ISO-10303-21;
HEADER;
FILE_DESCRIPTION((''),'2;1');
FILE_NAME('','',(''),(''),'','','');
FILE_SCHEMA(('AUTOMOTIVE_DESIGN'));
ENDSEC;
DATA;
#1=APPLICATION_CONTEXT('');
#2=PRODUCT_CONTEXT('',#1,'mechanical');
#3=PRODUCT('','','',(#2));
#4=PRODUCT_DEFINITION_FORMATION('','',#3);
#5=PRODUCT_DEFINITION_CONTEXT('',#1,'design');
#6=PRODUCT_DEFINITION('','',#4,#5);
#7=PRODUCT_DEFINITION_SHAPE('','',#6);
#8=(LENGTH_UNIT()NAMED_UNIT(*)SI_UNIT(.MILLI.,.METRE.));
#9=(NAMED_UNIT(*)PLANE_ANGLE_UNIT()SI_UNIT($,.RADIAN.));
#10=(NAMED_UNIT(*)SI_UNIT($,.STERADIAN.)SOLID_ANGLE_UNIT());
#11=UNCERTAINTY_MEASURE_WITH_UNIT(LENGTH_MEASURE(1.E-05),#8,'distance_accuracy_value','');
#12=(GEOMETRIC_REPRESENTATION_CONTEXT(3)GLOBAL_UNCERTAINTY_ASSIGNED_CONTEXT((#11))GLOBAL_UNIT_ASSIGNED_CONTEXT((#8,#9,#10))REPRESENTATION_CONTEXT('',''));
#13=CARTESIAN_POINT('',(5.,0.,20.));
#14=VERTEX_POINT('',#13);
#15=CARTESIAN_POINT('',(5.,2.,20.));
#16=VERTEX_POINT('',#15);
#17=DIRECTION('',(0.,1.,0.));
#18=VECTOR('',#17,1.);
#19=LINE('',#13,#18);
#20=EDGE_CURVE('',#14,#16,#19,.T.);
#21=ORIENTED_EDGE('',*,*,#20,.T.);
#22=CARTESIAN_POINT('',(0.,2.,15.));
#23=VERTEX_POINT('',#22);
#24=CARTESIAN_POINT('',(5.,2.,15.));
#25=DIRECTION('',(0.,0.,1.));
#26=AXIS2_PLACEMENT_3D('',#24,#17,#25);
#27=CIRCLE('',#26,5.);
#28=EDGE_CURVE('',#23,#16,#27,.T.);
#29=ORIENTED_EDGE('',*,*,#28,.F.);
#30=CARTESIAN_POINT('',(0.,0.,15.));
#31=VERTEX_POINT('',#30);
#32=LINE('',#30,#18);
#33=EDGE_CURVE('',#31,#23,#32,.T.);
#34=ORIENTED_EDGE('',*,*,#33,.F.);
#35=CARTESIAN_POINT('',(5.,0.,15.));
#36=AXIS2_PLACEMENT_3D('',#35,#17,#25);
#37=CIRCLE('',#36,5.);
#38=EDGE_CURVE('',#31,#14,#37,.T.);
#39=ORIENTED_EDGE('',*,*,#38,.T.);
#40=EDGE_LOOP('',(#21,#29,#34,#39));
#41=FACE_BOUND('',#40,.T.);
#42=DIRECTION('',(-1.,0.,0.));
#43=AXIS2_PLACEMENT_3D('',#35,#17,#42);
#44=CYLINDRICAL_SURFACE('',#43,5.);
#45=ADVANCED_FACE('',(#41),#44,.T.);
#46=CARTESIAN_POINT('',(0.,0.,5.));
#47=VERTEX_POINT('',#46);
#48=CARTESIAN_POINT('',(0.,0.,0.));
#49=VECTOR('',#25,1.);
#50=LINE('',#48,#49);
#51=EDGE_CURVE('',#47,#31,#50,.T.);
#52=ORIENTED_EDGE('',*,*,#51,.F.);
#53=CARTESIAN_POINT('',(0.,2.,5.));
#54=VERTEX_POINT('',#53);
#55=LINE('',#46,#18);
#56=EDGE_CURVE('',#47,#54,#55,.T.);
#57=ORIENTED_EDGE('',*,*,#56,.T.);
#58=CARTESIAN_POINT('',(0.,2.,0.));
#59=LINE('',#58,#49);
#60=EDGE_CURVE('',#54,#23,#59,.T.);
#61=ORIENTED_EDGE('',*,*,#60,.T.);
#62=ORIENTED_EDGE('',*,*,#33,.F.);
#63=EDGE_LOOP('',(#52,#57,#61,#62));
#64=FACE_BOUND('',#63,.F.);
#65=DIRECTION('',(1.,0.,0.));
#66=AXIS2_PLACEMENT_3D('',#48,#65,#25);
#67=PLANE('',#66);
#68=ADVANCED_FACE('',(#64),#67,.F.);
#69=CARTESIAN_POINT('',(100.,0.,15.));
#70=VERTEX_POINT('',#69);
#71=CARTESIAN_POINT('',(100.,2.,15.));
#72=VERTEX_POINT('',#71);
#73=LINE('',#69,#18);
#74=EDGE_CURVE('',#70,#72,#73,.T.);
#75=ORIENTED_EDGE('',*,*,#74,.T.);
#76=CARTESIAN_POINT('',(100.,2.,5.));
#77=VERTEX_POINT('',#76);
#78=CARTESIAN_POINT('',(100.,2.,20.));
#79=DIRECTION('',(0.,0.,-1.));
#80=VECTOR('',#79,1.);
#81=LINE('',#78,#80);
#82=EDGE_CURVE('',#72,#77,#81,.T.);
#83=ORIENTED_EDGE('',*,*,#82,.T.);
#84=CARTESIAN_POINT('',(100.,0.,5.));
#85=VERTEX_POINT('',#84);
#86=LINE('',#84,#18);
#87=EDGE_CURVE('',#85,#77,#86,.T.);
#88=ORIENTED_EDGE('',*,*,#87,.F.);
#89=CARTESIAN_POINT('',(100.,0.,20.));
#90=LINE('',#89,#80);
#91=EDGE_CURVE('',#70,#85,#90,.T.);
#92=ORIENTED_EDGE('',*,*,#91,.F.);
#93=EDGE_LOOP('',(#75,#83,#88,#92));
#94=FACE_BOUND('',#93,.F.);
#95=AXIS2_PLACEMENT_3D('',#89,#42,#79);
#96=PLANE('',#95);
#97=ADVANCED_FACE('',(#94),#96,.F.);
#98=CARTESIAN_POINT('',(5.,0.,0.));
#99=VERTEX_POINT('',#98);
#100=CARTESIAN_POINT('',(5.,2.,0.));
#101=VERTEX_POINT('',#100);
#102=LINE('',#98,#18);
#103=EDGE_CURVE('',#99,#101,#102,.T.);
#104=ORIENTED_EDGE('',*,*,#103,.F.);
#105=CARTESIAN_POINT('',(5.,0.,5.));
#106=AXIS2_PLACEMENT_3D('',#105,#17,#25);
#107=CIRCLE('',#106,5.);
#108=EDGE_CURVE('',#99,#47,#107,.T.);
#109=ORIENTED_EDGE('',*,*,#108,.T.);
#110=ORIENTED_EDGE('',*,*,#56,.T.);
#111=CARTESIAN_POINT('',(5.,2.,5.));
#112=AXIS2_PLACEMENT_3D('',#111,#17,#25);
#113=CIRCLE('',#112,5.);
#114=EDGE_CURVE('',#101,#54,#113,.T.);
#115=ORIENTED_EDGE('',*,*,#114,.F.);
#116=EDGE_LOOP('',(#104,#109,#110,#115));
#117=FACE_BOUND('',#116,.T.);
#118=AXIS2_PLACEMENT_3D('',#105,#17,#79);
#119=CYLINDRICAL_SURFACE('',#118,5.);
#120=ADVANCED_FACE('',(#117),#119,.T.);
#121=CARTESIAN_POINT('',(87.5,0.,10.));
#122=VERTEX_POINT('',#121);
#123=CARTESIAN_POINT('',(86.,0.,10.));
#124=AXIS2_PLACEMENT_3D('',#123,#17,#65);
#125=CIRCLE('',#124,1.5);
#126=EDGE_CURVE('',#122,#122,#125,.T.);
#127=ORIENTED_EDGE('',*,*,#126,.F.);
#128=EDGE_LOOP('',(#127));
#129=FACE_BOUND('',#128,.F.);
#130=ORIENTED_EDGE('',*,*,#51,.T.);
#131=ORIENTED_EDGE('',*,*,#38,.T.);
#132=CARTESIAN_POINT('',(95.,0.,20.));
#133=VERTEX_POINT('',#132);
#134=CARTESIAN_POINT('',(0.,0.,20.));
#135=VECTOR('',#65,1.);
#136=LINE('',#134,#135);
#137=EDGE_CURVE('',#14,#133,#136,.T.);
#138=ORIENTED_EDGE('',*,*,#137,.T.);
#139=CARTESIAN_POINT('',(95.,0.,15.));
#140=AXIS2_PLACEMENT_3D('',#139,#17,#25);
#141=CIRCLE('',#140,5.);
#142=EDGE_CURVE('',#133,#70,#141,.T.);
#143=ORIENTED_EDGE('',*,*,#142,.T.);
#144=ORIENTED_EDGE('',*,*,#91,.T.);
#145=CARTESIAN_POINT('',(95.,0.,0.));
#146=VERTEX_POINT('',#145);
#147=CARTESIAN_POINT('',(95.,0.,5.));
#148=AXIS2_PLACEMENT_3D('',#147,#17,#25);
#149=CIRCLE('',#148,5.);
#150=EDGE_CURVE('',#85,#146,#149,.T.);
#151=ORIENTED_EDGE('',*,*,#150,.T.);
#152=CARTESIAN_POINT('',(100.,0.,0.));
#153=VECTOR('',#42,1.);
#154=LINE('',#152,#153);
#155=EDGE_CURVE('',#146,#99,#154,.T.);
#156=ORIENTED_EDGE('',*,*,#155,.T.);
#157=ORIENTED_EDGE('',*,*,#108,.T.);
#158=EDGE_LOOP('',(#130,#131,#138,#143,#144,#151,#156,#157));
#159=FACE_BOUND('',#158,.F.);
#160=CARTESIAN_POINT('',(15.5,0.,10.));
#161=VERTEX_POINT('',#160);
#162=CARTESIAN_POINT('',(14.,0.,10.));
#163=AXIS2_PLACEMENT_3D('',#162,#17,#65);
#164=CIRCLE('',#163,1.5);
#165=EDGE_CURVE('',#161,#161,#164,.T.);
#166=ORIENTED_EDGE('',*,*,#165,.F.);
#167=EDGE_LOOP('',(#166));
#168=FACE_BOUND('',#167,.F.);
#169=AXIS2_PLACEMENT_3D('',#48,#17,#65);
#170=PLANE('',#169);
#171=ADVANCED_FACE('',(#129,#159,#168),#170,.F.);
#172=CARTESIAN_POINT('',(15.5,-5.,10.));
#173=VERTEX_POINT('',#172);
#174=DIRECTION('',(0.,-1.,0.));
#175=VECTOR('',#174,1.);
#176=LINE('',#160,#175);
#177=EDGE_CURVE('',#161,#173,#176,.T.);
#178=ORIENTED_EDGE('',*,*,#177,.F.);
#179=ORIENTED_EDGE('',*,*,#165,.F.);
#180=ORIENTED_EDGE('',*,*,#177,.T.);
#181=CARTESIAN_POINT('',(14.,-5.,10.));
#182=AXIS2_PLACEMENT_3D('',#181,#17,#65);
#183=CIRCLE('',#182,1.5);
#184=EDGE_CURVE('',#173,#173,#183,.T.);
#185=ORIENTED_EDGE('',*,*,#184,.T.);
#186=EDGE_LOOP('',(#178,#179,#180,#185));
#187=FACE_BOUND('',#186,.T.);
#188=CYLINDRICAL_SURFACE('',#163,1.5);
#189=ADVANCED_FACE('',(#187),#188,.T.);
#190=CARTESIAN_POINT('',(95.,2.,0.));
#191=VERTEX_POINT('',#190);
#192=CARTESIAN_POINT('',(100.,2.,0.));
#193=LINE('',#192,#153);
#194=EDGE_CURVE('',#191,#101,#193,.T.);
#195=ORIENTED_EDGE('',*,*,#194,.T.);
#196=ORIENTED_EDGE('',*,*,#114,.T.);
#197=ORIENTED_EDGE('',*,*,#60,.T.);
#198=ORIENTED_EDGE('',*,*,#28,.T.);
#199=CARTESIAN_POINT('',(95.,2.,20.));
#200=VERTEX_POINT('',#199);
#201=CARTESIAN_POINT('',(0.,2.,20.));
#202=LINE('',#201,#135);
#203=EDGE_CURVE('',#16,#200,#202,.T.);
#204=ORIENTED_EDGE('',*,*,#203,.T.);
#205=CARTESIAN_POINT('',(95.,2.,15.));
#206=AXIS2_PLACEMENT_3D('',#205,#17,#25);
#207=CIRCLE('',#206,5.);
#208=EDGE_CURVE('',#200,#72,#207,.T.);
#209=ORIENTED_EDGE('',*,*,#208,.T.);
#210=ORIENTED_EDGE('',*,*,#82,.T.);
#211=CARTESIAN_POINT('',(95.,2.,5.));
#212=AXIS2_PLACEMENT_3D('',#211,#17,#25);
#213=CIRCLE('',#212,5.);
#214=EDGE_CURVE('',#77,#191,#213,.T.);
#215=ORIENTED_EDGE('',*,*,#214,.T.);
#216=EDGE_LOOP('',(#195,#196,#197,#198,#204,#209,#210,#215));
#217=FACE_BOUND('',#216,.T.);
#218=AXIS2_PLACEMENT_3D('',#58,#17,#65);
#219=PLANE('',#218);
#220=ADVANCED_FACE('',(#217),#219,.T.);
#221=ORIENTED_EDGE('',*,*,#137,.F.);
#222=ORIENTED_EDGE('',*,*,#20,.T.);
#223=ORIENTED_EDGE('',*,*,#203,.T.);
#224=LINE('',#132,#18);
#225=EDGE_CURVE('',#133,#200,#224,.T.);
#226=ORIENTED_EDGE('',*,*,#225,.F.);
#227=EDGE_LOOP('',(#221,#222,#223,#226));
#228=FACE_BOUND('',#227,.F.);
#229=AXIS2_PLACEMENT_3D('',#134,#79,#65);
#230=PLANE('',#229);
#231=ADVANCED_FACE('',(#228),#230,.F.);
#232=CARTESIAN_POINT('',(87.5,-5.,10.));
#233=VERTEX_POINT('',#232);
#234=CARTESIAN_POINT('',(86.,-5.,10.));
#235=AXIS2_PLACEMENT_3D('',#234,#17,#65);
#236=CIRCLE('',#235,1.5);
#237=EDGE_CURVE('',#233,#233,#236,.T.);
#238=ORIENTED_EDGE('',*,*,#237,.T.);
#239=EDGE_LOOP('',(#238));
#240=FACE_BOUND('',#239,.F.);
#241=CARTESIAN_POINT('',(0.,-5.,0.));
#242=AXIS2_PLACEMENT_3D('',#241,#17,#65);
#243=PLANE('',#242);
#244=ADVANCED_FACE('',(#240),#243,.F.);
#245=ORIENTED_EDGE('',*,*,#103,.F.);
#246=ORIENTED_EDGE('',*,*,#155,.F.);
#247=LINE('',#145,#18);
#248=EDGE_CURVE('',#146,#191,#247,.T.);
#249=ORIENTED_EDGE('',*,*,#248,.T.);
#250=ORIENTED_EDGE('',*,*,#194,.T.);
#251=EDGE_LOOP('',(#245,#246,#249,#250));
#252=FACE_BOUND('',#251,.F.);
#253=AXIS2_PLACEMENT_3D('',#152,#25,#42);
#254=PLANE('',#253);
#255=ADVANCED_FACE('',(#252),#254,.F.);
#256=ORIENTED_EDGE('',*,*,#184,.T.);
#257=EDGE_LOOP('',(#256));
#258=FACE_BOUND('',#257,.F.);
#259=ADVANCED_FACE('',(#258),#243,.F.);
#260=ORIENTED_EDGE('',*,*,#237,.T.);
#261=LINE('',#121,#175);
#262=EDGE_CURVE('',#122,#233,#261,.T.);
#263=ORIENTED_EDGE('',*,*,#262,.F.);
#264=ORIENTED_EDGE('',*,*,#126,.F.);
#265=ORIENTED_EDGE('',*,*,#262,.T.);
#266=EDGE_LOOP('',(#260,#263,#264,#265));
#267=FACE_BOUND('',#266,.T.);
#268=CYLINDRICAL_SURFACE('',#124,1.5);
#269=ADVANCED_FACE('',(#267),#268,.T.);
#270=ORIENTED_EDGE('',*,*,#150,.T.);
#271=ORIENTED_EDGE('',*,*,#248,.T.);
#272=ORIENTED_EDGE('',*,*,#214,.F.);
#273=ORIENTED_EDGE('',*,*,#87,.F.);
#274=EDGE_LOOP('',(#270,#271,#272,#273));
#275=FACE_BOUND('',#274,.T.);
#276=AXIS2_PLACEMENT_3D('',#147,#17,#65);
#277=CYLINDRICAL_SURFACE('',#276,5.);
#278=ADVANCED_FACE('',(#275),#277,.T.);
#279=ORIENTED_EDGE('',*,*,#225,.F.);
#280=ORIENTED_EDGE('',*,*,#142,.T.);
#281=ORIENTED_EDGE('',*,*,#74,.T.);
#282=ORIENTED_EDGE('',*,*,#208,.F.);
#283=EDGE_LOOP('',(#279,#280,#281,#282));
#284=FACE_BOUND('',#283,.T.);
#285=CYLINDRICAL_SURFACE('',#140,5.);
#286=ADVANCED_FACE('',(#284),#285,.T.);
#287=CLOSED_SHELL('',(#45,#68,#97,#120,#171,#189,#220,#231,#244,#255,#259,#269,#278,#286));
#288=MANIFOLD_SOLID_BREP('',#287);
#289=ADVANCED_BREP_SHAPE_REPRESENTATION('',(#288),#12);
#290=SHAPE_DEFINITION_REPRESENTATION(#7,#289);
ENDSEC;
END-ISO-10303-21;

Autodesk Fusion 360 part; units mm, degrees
sketch "Sketch1" plane through (0, 0, 0) normal (0, 1, 0) x (1, 0, 0)
  line L0 (0, -20) -> (100, -20)
  line L1 (100, -20) -> (100, 0)
  line L2 (100, 0) -> (0, 0)
  line L3 (0, 0) -> (0, -20)
  dimension "d1" = 100
extrude "Extrude1" add sketch "Sketch1" along normal blind 2
sketch "Sketch2" plane through (0, 0, 0) normal (0, 1, 0) x (1, 0, 0)
  circle A0 centre (14, -10) radius 1.5
  dimension "d4" = 3
extrude "Extrude2" add sketch "Sketch2" against normal blind 5
sketch "Sketch3" plane through (0, 0, 0) normal (0, 1, 0) x (1, 0, 0)
  circle A0 centre (86, -10) radius 1.5
  dimension "d7" = 3
extrude "Extrude3" add sketch "Sketch3" against normal blind 5
fillet "Fillet1" radius 5 1 edges at (0, 1, 20)
fillet "Fillet2" radius 5 1 edges at (100, 1, 20)
fillet "Fillet3" radius 5 1 edges at (100, 1, 0)
fillet "Fillet4" radius 5 1 edges at (0, 1, 0)
